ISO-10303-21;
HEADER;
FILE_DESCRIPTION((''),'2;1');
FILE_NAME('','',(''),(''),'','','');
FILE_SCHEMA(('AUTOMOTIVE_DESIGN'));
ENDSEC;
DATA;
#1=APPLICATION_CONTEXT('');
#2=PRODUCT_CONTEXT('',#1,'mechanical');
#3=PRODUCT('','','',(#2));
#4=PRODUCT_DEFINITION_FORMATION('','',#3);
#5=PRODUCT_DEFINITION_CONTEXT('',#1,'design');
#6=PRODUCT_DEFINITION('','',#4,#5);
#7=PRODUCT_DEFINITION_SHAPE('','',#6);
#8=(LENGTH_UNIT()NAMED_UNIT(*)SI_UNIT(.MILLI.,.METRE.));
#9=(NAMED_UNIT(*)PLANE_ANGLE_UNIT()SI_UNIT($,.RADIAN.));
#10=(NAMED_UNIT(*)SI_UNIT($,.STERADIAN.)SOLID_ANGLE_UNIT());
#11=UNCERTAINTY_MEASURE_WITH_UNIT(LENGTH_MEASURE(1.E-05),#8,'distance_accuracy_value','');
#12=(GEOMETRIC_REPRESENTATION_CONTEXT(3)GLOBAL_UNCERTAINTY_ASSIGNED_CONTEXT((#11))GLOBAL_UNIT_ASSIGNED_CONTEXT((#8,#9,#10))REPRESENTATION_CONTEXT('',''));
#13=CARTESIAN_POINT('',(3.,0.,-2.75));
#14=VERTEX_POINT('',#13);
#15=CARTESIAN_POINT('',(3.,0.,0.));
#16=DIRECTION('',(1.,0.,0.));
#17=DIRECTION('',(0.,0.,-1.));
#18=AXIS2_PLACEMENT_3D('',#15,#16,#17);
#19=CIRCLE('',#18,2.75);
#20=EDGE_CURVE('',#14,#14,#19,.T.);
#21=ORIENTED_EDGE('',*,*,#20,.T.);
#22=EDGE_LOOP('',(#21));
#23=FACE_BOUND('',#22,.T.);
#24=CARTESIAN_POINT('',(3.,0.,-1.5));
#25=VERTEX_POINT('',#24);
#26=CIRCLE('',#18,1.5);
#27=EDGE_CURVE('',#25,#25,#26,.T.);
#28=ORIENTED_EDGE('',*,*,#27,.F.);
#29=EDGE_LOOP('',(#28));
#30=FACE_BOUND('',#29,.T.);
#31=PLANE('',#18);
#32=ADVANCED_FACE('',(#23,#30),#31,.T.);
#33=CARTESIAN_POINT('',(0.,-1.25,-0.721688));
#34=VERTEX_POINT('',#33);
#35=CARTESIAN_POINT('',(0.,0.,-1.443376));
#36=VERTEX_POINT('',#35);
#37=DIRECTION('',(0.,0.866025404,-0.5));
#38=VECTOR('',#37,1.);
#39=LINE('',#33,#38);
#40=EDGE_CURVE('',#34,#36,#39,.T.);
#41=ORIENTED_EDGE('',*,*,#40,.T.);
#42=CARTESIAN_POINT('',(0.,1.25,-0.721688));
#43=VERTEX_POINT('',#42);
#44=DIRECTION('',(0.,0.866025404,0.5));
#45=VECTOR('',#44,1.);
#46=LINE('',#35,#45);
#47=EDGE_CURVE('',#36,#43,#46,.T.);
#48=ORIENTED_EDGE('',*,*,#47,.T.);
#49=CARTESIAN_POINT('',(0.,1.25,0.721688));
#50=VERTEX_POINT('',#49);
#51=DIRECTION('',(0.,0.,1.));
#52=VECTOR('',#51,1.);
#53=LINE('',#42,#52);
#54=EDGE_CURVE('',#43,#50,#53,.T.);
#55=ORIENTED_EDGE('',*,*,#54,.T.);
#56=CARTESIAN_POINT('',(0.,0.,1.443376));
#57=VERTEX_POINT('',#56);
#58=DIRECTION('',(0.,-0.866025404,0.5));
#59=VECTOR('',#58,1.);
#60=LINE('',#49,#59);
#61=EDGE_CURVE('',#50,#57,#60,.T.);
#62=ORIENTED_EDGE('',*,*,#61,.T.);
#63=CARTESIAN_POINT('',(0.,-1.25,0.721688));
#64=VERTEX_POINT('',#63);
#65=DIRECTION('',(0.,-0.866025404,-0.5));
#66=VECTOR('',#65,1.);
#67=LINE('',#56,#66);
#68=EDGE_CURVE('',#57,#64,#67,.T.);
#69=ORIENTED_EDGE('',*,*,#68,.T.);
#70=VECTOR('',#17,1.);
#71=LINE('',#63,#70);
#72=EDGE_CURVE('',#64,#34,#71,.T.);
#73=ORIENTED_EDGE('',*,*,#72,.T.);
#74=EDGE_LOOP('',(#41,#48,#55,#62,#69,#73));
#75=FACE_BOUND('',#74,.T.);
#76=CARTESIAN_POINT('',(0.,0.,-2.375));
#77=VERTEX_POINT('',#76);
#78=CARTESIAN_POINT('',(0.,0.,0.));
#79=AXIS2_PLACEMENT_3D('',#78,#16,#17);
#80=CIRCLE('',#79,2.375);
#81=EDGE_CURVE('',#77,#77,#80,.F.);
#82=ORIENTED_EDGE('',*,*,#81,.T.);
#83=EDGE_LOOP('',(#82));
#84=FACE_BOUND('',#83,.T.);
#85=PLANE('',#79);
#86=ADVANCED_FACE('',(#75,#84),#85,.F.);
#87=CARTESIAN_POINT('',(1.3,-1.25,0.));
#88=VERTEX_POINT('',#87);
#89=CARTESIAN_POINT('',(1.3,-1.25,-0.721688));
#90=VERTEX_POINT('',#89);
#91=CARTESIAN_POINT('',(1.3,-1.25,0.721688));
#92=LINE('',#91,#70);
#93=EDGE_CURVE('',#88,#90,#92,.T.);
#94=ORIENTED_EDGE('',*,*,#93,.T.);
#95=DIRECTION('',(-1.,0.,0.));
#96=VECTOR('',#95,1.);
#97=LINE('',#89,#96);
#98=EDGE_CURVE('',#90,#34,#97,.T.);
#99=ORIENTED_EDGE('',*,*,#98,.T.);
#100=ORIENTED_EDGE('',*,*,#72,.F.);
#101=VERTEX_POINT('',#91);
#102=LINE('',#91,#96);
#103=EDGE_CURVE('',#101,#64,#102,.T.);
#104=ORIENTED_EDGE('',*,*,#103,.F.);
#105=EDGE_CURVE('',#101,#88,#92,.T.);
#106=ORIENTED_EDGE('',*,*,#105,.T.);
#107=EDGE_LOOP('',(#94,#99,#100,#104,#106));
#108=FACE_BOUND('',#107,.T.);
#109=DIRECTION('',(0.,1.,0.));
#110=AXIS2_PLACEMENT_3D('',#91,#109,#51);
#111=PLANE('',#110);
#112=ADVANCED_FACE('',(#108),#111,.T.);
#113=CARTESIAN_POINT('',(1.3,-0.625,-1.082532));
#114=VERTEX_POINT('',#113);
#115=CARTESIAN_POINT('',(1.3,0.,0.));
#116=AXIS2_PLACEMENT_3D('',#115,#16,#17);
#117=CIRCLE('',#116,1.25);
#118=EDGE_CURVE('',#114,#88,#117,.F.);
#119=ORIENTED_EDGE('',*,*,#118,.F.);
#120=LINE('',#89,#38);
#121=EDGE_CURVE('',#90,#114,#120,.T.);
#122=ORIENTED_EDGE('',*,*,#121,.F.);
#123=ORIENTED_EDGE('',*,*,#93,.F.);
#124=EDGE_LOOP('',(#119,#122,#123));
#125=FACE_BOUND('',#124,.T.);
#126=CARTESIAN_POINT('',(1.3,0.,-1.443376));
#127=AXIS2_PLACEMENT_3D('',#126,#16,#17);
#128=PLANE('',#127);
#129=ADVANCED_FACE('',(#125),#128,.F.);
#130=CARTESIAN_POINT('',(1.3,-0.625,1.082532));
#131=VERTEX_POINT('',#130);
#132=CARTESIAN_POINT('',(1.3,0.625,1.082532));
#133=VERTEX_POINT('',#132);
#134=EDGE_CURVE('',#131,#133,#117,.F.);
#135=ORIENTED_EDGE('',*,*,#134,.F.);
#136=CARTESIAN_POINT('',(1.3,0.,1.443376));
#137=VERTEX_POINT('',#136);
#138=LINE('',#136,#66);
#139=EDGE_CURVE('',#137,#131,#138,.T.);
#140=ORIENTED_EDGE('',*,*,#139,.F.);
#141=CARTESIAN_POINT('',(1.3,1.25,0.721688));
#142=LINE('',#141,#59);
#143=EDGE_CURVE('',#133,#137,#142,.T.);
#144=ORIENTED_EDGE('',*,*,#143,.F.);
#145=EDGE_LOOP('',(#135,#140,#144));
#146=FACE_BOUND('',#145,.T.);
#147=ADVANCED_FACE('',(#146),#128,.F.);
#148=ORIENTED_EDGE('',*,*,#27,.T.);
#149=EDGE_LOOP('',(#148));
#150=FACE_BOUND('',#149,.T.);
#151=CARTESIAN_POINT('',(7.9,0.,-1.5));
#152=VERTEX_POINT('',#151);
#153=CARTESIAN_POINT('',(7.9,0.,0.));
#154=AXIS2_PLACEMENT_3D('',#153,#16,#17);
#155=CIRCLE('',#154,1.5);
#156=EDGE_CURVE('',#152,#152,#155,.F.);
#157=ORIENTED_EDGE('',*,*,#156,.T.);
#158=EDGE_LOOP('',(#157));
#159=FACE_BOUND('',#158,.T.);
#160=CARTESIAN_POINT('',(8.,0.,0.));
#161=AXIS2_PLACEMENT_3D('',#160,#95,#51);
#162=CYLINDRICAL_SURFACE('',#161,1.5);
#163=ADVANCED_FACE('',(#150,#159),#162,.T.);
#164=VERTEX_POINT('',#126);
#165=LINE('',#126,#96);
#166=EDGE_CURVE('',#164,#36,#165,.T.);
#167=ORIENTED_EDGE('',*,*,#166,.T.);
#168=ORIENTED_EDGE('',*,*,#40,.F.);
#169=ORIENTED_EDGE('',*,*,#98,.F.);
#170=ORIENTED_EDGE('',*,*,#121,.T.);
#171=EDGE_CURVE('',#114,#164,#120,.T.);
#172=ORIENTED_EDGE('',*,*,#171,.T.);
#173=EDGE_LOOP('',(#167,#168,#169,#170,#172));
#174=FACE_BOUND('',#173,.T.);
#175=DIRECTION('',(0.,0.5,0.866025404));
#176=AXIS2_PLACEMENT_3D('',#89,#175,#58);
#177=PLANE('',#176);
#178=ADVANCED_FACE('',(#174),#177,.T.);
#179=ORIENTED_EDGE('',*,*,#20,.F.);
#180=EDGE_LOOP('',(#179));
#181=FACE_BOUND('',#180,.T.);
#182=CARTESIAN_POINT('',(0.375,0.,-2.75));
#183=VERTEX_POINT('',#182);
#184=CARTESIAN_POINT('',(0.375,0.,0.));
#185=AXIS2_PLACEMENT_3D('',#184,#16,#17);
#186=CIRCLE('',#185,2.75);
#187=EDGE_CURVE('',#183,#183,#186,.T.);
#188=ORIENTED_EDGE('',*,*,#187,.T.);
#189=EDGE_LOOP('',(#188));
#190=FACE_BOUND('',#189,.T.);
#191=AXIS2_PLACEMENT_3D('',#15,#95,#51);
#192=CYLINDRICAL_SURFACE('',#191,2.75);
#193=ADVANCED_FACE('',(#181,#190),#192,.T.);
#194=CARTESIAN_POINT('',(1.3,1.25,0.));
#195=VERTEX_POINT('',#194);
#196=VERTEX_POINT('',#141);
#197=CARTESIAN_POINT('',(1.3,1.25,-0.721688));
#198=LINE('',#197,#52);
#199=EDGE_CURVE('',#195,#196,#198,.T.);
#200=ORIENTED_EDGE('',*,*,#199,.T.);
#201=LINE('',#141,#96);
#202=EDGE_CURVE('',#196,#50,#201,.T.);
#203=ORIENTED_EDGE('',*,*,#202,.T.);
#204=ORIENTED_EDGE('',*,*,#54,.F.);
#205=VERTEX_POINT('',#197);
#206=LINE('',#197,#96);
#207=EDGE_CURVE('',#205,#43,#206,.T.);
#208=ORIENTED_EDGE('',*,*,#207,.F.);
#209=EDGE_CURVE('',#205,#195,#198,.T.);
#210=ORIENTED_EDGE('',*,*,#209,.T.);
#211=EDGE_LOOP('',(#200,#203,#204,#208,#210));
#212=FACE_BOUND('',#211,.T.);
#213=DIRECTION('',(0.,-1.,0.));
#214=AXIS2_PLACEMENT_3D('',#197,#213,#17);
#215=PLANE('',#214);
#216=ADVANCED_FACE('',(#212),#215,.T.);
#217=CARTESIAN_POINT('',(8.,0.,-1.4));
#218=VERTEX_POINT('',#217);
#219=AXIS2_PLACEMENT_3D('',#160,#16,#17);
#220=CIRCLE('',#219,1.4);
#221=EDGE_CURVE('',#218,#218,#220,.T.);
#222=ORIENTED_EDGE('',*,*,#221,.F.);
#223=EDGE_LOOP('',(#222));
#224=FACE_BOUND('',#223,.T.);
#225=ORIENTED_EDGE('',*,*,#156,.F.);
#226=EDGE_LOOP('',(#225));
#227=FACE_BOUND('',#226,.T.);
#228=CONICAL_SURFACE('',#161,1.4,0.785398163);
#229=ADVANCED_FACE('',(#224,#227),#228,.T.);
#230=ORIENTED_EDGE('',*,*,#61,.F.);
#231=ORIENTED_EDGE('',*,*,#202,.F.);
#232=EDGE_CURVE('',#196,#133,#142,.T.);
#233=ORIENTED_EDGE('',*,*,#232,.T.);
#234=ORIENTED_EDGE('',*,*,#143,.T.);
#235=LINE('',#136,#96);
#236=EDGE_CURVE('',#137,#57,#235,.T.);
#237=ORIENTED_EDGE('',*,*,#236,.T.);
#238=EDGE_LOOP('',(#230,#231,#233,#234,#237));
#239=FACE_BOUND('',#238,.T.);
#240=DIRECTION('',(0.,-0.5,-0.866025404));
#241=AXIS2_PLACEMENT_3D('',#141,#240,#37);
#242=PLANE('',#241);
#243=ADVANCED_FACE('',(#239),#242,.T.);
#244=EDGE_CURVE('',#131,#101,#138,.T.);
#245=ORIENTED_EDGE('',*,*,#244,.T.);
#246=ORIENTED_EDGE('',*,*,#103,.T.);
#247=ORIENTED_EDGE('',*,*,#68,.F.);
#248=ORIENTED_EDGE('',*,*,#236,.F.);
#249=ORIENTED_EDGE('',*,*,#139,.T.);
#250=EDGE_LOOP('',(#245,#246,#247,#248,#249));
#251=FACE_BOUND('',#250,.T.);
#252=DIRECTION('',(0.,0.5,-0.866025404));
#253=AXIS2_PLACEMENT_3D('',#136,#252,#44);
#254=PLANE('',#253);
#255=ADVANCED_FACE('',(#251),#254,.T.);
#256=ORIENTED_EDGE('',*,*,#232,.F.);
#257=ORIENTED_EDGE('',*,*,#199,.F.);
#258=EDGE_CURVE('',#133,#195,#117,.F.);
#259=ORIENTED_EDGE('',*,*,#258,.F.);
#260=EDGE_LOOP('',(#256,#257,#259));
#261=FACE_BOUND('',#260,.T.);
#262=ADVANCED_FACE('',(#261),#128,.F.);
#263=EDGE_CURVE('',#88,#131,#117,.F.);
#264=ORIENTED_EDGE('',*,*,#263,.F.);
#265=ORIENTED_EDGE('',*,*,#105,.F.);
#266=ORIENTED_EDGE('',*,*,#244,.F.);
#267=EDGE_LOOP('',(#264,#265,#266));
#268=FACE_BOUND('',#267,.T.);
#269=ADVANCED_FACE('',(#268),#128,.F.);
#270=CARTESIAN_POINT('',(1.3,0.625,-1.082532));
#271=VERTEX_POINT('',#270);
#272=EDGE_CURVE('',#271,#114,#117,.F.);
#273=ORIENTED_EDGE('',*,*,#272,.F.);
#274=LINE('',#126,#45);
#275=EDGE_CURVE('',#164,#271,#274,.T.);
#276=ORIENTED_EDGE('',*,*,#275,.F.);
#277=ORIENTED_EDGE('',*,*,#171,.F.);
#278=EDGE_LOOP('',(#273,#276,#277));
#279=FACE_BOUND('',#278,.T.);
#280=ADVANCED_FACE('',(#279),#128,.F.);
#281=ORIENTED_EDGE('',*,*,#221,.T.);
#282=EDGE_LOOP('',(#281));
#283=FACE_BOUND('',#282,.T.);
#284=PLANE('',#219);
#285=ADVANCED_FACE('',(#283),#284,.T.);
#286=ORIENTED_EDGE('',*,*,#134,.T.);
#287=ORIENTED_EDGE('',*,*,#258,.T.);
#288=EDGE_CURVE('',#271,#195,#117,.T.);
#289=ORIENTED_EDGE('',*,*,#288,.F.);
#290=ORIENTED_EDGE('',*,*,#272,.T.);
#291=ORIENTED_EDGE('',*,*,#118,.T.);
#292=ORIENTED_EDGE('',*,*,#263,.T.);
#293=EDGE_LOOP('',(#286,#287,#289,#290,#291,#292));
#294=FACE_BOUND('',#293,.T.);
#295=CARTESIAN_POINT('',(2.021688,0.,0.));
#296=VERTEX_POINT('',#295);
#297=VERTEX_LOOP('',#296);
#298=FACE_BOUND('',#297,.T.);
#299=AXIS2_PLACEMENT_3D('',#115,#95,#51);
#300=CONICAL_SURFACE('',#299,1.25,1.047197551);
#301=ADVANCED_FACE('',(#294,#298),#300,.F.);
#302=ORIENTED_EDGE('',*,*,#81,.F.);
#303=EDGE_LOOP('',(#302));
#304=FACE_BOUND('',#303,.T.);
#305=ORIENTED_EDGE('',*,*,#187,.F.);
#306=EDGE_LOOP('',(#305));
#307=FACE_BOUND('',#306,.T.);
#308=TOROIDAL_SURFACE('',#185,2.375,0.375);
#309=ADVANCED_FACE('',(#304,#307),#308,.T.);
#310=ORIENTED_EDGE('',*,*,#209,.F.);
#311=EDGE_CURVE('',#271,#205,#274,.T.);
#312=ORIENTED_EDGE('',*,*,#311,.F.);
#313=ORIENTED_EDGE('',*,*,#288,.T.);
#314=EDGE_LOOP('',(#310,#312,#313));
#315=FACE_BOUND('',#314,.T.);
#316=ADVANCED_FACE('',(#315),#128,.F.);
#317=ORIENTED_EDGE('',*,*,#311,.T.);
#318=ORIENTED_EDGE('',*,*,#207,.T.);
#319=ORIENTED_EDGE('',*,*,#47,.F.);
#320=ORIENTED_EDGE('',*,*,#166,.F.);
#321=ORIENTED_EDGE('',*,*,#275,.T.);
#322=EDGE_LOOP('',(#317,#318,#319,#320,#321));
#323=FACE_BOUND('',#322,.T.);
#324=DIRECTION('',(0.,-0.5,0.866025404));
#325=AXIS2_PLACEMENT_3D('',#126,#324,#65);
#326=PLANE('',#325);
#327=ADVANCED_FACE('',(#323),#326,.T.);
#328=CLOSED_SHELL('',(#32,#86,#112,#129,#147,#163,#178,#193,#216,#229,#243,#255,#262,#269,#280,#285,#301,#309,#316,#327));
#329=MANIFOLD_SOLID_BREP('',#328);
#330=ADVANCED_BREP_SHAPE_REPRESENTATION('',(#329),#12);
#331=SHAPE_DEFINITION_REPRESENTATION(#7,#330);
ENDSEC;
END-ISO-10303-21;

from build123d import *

# Parameters (mm, degrees)
SKETCH1_R           = 2.75
BASEHEAD_DEPTH      = 3
SKETCH2_R           = 1.5
BASEBODY_DEPTH      = 5
HEXAGONSOCKET_DEPTH = 1.3
TOPFILLET_R         = 0.375
CHAMFER1_SIZE       = 0.1


with BuildPart() as part:
    # Sketch1 → BaseHead (new body)
    with BuildSketch(Plane(origin=(0, 0, 0), x_dir=(0, 0, -1), z_dir=(1, 0, 0))):
        Circle(SKETCH1_R)
    extrude(amount=BASEHEAD_DEPTH)

    # Sketch2 → BaseBody (add)
    with BuildSketch(Plane(origin=(3, 0, 0), x_dir=(0, 0, -1), z_dir=(1, 0, 0))):
        Circle(SKETCH2_R)
    extrude(amount=BASEBODY_DEPTH)

    # Sketch3 → HexagonSocket (cut)
    with BuildSketch(Plane(origin=(0, 0, 0), x_dir=(0, 0, -1), z_dir=(1, 0, 0))):
        Polygon((1.443375673, 0), (0.721687836, 1.25), (-0.721687836, 1.25), (-1.443375673, 0), (-0.721687836, -1.25), (0.721687836, -1.25), align=None)
    extrude(amount=HEXAGONSOCKET_DEPTH, mode=Mode.SUBTRACT)

    # Sketch4 → Cut-Revolve1 (revolve, cut)
    with BuildSketch(Plane(origin=(-4.19613823, 0.75, 0), x_dir=(-1, 0, 0), z_dir=(0, 0, 1)), mode=Mode.PRIVATE) as cut_revolve1_sk:
        Polygon((-5.49613823, 2), (-6.217826066, 0.75), (-5.49613823, 0.75), align=None)
    revolve(cut_revolve1_sk.sketch.rotate(Axis((0.838992387, 0, 0), (-1, 0, 0)), 90), axis=Axis((0.838992387, 0, 0), (-1, 0, 0)), mode=Mode.SUBTRACT)

    # TopFillet
    topfillet_edges = [part.edges().sort_by_distance(p)[0] for p in [
        (0, 0, 2.75),
    ]]
    fillet(topfillet_edges, radius=TOPFILLET_R)

    # Chamfer1
    chamfer1_edges = [part.edges().sort_by_distance(p)[0] for p in [
        (8, 0, 1.5),
    ]]
    chamfer(chamfer1_edges, length=CHAMFER1_SIZE)


solid = part.part
